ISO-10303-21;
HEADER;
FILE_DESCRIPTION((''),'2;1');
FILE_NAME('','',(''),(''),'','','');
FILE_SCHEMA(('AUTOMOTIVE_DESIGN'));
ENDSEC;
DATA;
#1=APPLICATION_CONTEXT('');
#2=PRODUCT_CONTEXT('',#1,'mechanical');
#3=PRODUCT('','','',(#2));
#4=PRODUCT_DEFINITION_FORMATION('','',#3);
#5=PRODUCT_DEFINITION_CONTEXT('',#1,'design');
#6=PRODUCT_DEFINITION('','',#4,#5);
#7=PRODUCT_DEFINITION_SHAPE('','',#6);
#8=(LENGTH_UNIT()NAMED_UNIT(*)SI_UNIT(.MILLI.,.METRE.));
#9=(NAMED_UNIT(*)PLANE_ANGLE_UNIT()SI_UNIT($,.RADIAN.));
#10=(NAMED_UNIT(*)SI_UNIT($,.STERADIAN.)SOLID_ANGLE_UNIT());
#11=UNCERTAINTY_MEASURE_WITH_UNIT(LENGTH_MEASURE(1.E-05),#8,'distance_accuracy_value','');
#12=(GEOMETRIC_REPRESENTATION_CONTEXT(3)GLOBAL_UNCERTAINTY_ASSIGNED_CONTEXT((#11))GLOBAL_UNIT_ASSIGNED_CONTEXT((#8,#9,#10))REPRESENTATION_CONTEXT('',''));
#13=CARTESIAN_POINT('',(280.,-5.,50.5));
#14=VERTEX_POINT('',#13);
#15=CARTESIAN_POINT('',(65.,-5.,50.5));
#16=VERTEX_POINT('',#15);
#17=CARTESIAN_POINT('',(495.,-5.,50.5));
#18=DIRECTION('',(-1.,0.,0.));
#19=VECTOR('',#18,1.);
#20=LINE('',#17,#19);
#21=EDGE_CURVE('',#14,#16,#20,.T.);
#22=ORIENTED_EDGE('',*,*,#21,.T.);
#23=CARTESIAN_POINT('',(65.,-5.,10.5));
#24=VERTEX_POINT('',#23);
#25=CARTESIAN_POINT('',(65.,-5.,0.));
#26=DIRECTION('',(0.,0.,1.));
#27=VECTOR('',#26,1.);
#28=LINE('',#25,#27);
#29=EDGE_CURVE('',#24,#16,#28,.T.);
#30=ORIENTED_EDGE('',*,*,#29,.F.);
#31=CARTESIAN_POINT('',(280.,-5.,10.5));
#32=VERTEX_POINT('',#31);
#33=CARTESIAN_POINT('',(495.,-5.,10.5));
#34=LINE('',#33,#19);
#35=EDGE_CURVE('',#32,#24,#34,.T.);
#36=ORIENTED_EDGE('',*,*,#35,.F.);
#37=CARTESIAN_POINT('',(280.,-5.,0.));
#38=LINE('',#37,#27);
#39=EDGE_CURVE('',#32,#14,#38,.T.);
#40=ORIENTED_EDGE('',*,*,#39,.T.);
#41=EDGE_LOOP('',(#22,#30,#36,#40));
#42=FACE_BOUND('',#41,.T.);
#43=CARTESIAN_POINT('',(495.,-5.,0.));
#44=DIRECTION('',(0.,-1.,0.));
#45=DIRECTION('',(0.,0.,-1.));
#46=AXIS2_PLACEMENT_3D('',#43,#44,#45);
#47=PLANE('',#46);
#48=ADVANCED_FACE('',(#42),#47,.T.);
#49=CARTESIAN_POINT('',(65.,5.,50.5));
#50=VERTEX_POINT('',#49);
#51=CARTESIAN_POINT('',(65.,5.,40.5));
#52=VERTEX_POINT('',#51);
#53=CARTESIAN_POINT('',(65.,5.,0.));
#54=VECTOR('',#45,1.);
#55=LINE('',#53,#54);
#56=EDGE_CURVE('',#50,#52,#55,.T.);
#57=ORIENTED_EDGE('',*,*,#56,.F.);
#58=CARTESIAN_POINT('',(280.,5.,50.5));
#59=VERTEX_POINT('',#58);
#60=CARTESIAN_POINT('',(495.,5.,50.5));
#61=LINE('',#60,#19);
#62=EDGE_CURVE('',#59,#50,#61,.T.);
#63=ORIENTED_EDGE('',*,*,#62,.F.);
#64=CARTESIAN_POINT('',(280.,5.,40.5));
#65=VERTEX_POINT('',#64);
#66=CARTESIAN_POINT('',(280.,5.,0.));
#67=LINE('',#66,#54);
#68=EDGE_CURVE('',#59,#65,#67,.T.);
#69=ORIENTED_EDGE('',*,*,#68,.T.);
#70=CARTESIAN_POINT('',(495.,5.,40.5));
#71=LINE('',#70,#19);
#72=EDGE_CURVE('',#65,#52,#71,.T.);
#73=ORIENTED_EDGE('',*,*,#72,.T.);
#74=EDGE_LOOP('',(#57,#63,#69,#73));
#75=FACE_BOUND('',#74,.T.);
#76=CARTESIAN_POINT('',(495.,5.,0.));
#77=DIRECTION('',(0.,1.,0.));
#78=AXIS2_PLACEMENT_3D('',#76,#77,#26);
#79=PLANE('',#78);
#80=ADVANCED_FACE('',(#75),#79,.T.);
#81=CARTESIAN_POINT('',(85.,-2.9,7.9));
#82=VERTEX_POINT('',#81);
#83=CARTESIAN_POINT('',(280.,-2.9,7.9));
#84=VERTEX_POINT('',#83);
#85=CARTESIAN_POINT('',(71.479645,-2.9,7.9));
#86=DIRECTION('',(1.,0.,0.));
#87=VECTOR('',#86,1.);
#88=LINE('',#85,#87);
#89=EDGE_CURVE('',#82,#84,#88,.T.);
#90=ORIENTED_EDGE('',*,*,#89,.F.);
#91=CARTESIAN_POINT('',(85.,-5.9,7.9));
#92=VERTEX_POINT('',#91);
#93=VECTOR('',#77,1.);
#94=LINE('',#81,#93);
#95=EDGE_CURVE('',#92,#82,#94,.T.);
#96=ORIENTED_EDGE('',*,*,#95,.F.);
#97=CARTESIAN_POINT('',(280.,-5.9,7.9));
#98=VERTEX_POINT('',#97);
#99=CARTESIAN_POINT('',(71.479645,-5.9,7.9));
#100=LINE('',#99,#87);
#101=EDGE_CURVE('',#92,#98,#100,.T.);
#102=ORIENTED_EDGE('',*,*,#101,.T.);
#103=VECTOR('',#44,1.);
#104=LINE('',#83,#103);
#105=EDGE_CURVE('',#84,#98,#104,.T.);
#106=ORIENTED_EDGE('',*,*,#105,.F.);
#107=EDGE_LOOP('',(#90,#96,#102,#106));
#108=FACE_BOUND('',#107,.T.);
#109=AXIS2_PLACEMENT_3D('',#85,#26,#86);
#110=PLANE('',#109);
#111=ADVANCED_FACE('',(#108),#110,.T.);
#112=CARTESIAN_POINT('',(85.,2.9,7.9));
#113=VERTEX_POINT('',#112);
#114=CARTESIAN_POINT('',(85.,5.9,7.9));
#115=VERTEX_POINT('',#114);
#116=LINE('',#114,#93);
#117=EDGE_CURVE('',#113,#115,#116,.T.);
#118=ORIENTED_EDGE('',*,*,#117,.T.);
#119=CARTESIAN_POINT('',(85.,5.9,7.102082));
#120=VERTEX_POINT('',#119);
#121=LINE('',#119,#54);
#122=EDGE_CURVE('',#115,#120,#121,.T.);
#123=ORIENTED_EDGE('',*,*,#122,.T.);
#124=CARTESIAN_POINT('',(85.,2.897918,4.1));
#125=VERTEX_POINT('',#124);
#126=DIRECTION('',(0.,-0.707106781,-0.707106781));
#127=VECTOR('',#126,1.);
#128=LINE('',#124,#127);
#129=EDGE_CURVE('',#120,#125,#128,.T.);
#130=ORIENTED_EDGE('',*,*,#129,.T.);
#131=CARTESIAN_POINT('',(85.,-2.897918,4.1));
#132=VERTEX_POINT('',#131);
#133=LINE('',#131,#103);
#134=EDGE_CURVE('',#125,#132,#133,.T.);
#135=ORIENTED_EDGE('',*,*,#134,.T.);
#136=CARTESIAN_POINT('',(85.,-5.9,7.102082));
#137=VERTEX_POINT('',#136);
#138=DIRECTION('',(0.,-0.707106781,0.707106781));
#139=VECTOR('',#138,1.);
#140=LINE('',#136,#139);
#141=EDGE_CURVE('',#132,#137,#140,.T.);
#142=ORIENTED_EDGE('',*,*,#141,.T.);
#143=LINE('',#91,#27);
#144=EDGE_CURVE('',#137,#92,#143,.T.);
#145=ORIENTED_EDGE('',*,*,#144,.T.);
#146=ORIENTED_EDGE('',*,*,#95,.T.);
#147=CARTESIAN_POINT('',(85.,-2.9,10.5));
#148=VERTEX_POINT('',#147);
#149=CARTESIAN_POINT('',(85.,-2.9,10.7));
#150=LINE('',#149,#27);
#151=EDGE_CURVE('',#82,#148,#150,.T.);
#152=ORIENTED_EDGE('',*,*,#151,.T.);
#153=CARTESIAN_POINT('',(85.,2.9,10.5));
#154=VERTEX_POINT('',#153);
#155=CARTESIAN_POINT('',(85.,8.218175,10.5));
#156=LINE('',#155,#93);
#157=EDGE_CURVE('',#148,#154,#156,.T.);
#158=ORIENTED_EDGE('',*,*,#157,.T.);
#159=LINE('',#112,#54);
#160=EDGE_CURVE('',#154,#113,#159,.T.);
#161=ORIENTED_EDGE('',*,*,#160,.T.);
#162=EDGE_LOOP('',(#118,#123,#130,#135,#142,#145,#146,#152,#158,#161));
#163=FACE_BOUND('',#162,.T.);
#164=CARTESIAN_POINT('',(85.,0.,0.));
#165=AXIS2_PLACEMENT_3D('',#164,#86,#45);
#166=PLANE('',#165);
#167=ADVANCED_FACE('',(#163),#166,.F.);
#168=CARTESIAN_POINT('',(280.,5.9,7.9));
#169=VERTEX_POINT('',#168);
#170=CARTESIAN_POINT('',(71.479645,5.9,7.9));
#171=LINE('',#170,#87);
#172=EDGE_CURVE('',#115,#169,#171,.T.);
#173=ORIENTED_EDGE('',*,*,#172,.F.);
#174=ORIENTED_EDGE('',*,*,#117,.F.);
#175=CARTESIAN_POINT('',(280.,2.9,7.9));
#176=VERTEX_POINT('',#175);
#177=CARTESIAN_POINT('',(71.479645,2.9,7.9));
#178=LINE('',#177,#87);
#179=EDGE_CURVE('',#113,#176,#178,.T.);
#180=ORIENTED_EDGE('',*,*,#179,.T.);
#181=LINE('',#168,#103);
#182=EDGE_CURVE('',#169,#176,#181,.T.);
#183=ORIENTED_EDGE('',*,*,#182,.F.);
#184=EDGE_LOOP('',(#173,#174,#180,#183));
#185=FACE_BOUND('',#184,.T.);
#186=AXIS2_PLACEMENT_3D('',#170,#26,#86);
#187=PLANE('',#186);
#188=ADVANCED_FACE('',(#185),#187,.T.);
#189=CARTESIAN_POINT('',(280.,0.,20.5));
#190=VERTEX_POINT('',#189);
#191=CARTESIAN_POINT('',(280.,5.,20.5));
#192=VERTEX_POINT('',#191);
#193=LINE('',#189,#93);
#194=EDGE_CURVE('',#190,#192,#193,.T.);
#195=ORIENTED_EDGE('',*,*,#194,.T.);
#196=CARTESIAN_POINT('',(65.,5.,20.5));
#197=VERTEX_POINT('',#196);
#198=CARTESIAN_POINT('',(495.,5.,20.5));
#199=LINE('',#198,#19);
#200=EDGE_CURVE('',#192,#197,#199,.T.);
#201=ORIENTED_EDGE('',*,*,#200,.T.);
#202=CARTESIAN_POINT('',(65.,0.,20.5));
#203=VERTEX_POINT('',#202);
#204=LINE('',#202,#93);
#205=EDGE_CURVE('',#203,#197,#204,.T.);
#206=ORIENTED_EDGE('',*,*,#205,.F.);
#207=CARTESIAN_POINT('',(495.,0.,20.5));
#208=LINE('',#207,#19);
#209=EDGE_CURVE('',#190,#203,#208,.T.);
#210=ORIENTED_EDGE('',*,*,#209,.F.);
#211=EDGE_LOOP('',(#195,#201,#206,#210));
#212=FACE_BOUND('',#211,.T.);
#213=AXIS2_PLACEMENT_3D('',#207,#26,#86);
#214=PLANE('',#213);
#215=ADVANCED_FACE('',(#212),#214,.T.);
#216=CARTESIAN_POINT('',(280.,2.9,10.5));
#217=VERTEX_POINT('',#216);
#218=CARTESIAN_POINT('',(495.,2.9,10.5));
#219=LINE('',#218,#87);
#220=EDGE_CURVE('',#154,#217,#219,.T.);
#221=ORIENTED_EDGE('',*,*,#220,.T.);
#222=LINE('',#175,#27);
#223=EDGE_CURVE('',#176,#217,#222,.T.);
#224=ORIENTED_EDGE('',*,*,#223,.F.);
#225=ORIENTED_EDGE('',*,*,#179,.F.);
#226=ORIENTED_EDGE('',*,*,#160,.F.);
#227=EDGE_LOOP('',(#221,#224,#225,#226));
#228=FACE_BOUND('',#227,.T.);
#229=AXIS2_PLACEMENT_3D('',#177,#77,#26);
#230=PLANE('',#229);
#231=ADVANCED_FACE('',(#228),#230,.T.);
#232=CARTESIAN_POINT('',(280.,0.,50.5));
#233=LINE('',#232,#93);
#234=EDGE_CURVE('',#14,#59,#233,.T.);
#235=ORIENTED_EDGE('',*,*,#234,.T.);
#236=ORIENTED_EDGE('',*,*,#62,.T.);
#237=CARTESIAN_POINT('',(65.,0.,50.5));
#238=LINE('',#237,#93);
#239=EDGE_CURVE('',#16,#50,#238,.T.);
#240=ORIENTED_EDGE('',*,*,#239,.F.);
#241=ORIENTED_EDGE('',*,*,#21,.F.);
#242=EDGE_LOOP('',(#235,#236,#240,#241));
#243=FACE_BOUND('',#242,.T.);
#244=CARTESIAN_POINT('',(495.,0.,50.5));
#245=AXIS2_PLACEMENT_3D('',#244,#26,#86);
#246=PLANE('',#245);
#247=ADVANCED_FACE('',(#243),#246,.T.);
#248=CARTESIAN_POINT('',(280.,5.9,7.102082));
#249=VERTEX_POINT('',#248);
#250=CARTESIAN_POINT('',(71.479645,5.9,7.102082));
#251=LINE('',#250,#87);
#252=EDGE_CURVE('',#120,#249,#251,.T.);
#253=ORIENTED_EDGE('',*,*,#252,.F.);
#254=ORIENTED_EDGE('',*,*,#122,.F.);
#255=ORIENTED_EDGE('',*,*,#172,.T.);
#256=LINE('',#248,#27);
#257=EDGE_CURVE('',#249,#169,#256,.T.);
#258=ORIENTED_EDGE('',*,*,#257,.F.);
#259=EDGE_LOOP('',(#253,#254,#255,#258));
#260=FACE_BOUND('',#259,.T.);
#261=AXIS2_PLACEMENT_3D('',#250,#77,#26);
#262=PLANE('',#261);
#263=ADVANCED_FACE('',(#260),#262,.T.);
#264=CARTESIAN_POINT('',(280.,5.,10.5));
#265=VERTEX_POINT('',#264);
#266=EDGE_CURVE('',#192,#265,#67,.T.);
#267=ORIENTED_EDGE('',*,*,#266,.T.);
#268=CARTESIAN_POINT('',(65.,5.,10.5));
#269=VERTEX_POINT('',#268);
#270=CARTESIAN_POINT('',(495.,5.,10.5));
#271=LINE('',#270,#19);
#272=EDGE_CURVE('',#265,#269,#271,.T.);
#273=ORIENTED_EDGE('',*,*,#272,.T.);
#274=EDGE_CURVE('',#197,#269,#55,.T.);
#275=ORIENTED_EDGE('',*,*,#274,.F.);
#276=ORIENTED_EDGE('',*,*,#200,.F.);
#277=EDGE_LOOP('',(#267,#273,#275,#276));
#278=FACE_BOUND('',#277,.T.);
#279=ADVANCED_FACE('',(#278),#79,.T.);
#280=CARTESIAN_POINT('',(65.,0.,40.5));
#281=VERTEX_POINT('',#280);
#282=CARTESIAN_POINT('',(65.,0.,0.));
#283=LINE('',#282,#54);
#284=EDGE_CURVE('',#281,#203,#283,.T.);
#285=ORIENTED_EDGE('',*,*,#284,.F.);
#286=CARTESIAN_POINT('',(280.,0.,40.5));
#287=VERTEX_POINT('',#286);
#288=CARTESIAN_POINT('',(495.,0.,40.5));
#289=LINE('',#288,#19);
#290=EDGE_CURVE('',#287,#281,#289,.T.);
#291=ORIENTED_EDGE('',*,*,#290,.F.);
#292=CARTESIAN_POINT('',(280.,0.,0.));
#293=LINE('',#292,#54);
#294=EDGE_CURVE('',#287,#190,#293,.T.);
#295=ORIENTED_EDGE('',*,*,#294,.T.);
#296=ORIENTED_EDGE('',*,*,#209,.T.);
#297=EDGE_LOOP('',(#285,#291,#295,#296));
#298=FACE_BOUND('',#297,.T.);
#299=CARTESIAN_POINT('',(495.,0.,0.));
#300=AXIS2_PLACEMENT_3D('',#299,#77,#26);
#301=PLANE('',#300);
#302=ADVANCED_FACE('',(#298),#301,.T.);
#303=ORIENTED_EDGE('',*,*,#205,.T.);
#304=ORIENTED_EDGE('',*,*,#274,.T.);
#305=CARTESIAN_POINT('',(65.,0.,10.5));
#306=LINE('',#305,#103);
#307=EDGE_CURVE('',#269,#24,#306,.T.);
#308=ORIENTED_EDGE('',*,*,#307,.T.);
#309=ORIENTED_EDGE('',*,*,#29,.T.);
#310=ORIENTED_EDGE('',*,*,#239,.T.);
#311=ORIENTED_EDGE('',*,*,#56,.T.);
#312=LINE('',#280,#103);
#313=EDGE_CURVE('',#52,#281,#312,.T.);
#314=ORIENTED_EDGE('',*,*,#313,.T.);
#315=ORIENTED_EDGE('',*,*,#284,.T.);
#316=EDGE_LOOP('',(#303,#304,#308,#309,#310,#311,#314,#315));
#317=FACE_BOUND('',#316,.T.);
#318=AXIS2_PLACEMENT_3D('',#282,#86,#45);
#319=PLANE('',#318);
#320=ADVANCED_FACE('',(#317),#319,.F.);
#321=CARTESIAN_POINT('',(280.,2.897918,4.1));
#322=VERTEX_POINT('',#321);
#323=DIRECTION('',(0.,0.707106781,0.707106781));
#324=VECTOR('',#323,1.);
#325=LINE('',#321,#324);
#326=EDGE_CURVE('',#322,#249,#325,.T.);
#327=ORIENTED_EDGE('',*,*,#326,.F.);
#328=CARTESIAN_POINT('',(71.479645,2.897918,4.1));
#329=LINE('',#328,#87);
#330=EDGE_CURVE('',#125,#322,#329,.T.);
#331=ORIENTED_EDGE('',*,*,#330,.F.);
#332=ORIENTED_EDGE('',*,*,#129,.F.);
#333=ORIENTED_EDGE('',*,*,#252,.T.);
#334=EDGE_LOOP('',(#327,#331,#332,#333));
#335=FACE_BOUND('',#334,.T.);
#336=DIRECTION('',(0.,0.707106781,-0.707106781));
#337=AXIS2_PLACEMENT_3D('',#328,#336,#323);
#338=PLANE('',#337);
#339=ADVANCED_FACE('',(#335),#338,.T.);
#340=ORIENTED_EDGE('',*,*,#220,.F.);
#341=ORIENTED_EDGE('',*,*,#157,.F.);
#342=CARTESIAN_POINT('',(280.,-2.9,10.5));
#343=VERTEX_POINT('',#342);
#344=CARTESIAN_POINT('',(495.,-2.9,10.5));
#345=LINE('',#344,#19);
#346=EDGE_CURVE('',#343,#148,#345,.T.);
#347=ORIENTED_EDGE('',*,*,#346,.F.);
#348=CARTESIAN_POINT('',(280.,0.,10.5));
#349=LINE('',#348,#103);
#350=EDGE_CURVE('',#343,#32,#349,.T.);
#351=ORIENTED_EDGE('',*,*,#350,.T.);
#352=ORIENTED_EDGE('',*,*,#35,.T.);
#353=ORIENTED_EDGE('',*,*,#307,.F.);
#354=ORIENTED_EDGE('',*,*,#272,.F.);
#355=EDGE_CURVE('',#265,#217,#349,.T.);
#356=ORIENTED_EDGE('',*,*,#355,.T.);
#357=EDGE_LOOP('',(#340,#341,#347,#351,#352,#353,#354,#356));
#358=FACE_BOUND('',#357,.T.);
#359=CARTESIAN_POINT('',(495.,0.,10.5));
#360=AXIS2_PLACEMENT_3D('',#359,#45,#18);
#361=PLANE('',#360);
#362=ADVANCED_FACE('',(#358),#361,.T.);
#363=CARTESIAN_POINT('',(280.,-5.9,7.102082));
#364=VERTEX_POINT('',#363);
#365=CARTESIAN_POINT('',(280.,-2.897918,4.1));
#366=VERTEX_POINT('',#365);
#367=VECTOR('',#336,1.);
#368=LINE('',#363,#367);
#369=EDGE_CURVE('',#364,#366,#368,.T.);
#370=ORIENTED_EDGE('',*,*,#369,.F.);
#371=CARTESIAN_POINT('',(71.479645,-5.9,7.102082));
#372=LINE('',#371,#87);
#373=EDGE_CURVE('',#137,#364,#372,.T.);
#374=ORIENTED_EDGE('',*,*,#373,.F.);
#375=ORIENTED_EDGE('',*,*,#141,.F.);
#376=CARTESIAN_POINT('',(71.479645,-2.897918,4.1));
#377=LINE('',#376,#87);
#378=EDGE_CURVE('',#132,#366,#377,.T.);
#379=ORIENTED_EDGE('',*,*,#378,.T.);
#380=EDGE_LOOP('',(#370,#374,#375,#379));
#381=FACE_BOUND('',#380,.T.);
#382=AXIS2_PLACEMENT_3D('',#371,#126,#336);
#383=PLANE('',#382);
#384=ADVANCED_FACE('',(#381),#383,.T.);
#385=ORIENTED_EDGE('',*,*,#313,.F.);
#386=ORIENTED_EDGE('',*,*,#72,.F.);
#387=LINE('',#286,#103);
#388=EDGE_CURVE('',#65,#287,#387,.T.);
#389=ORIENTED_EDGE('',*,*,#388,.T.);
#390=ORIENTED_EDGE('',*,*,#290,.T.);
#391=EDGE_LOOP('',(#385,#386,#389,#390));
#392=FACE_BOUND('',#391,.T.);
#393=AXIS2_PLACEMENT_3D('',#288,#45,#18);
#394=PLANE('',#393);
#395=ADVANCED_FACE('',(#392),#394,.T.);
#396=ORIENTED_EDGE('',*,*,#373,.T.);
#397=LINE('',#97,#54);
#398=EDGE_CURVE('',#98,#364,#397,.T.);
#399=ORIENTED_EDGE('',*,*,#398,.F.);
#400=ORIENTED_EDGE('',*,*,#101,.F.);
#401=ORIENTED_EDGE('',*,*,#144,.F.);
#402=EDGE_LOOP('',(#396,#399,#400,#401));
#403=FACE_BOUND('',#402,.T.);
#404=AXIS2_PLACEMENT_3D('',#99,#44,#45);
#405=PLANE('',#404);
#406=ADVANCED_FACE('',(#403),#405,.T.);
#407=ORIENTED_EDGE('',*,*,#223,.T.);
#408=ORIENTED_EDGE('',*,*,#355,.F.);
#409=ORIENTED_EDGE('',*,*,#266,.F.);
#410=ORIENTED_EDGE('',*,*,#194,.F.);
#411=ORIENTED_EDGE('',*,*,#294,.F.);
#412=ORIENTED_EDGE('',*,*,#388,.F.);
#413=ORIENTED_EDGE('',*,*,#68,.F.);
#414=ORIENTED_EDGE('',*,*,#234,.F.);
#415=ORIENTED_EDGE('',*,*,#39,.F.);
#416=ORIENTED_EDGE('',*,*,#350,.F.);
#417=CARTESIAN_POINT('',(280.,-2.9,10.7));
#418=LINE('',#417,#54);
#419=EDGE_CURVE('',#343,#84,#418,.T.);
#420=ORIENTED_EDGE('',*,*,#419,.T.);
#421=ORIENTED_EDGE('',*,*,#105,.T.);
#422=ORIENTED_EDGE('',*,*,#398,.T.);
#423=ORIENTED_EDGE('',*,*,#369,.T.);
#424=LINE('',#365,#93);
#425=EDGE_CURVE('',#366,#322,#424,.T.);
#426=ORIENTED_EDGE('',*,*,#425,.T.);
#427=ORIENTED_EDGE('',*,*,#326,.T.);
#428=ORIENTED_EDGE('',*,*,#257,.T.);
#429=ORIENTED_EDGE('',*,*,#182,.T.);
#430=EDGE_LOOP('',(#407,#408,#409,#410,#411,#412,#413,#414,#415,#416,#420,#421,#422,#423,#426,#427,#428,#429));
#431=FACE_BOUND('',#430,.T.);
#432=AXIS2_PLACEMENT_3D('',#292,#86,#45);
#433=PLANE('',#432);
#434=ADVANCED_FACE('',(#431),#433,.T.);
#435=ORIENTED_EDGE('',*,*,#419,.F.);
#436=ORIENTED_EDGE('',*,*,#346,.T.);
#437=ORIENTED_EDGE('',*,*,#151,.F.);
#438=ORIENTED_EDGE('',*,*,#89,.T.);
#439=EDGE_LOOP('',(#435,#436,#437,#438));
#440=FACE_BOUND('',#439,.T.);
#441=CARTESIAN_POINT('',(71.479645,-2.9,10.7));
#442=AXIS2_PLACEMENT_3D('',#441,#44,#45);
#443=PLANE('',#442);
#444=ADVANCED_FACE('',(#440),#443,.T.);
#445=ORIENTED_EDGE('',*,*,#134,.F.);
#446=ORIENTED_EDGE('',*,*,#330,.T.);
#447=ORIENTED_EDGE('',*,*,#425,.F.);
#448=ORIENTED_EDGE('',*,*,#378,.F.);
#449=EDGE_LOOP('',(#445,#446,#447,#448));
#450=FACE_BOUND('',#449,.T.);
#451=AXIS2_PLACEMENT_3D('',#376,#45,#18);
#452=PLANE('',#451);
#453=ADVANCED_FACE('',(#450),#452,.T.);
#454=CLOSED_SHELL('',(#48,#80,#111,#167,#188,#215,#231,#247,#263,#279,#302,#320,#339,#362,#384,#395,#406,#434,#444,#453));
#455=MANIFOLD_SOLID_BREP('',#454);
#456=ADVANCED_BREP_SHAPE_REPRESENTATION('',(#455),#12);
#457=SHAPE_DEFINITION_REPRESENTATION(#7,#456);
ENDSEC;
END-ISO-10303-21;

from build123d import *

# Parameters (mm, degrees)
SKETCH1_R           = 2.1
BOSS_EXTRUDE1_DEPTH = 65
SKETCH84_W          = 0.3
SKETCH84_H          = 5.4
BOSS_EXTRUDE6_DEPTH = 430
SKETCH85_W          = 26.589814492
SKETCH85_H          = 26.977421118
CUT_EXTRUDE59_DEPTH = 434.070721707
SKETCH86_W          = 10.5
SKETCH86_H          = 16.670499862
CUT_EXTRUDE60_DEPTH = 20
SKETCH88_W          = 63.871976351
SKETCH88_H          = 27.184970046
CUT_EXTRUDE62_DEPTH = 215
BOSS_EXTRUDE7_DEPTH = 195


with BuildPart() as part:
    # Sketch1 → Boss-Extrude1 (new body)
    with BuildSketch(Plane(origin=(0, 0, 0), x_dir=(0, 0, -1), z_dir=(1, 0, 0))):
        with BuildLine():
            Line((-10, 9), (-10, 3))
            Line((-10, 3), (-8, 3))
            Line((-8, 3), (-8, 6))
            Line((-8, 6), (-7.060660172, 6))
            Line((-7.060660172, 6), (-4, 2.939339828))
            Line((-4, 2.939339828), (-4, -2.939339828))
            Line((-4, -2.939339828), (-7.060660172, -6))
            Line((-7.060660172, -6), (-8, -6))
            Line((-8, -6), (-8, -3))
            Line((-8, -3), (-10, -3))
            Line((-10, -3), (-10, -9))
            ThreePointArc((-10, -9), (-9.707106781, -9.707106781), (-9, -10))
            Line((-9, -10), (-3, -10))
            Line((-3, -10), (-3, -8))
            Line((-3, -8), (-6, -8))
            Line((-6, -8), (-6, -7.060660172))
            Line((-6, -7.060660172), (-2.939339828, -4))
            Line((-2.939339828, -4), (2.939339828, -4))
            Line((2.939339828, -4), (6, -7.060660172))
            Line((6, -7.060660172), (6, -8))
            Line((6, -8), (3, -8))
            Line((3, -8), (3, -10))
            Line((3, -10), (9, -10))
            ThreePointArc((9, -10), (9.707106781, -9.707106781), (10, -9))
            Line((10, -9), (10, -3))
            Line((10, -3), (8, -3))
            Line((8, -3), (8, -6))
            Line((8, -6), (7.060660172, -6))
            Line((7.060660172, -6), (4, -2.939339828))
            Line((4, -2.939339828), (4, 2.939339828))
            Line((4, 2.939339828), (7.060660172, 6))
            Line((7.060660172, 6), (8, 6))
            Line((8, 6), (8, 3))
            Line((8, 3), (10, 3))
            Line((10, 3), (10, 9))
            ThreePointArc((10, 9), (9.707106781, 9.707106781), (9, 10))
            Line((9, 10), (3, 10))
            Line((3, 10), (3, 8))
            Line((3, 8), (6, 8))
            Line((6, 8), (6, 7.060660172))
            Line((6, 7.060660172), (2.939339828, 4))
            Line((2.939339828, 4), (-2.939339828, 4))
            Line((-2.939339828, 4), (-6, 7.060660172))
            Line((-6, 7.060660172), (-6, 8))
            Line((-6, 8), (-3, 8))
            Line((-3, 8), (-3, 10))
            Line((-3, 10), (-9, 10))
            ThreePointArc((-9, 10), (-9.707106781, 9.707106781), (-10, 9))
        make_face()
        Circle(SKETCH1_R, mode=Mode.SUBTRACT)
    extrude(amount=BOSS_EXTRUDE1_DEPTH)

    # Sketch85 → Cut-Extrude59 (cut, through all)
    with BuildSketch(Plane(origin=(65, 0, 0), x_dir=(0, 0, -1), z_dir=(1, 0, 0))):
        with Locations((1.176321583, -0.814927094)):
            Rectangle(SKETCH85_W, SKETCH85_H)
    extrude(amount=-CUT_EXTRUDE59_DEPTH, mode=Mode.SUBTRACT)


with BuildPart() as body_2:
    # Sketch84 → Boss-Extrude6 (new body)
    with BuildSketch(Plane(origin=(65, 0, 0), x_dir=(0, 0, -1), z_dir=(1, 0, 0))):
        Polygon((-10, -2.7), (-10, 2.7), (-10.5, 2.7), (-10.5, 5), (-20.5, 5), (-20.5, 0), (-40.5, 0), (-40.5, 5), (-50.5, 5), (-50.5, -5), (-10.5, -5), (-10.5, -2.7), align=None)
        Polygon((-7.18492424, 5.7), (-4.3, 2.81507576), (-4.3, -2.81507576), (-7.18492424, -5.7), (-7.7, -5.7), (-7.7, -2.7), (-9.7, -2.7), (-9.7, 2.7), (-7.7, 2.7), (-7.7, 5.7), align=None)
        with Locations((-9.85, 0)):
            Rectangle(SKETCH84_W, SKETCH84_H)
    extrude(amount=BOSS_EXTRUDE6_DEPTH)

    # Sketch86 → Cut-Extrude60 (cut)
    with BuildSketch(Plane.ZY.offset(-65)):
        with Locations((5.25, -0.117074477)):
            Rectangle(SKETCH86_W, SKETCH86_H)
    extrude(amount=-CUT_EXTRUDE60_DEPTH, mode=Mode.SUBTRACT)

    # Sketch88 → Cut-Extrude62 (cut)
    with BuildSketch(Plane(origin=(495, 0, 0), x_dir=(0, 0, -1), z_dir=(1, 0, 0))):
        with Locations((-29.280082041, 0.441796331)):
            Rectangle(SKETCH88_W, SKETCH88_H)
    extrude(amount=-CUT_EXTRUDE62_DEPTH, mode=Mode.SUBTRACT)

    # Sketch89 → Boss-Extrude7 (add)
    with BuildSketch(Plane(origin=(280, 0, 0), x_dir=(0, 0, -1), z_dir=(1, 0, 0))):
        Polygon((-10.7, 2.9), (-10.7, -2.9), (-7.9, -2.9), (-7.9, -5.9), (-7.102081528, -5.9), (-4.1, -2.897918472), (-4.1, 2.897918472), (-7.102081528, 5.9), (-7.9, 5.9), (-7.9, 2.9), align=None)
        Polygon((-10.5, 2.7), (-10.5, -2.7), (-7.7, -2.7), (-7.7, -5.7), (-7.18492424, -5.7), (-4.3, -2.81507576), (-4.3, 2.81507576), (-7.18492424, 5.7), (-7.7, 5.7), (-7.7, 2.7), align=None, mode=Mode.SUBTRACT)
    extrude(amount=-BOSS_EXTRUDE7_DEPTH)


solid = body_2.part
